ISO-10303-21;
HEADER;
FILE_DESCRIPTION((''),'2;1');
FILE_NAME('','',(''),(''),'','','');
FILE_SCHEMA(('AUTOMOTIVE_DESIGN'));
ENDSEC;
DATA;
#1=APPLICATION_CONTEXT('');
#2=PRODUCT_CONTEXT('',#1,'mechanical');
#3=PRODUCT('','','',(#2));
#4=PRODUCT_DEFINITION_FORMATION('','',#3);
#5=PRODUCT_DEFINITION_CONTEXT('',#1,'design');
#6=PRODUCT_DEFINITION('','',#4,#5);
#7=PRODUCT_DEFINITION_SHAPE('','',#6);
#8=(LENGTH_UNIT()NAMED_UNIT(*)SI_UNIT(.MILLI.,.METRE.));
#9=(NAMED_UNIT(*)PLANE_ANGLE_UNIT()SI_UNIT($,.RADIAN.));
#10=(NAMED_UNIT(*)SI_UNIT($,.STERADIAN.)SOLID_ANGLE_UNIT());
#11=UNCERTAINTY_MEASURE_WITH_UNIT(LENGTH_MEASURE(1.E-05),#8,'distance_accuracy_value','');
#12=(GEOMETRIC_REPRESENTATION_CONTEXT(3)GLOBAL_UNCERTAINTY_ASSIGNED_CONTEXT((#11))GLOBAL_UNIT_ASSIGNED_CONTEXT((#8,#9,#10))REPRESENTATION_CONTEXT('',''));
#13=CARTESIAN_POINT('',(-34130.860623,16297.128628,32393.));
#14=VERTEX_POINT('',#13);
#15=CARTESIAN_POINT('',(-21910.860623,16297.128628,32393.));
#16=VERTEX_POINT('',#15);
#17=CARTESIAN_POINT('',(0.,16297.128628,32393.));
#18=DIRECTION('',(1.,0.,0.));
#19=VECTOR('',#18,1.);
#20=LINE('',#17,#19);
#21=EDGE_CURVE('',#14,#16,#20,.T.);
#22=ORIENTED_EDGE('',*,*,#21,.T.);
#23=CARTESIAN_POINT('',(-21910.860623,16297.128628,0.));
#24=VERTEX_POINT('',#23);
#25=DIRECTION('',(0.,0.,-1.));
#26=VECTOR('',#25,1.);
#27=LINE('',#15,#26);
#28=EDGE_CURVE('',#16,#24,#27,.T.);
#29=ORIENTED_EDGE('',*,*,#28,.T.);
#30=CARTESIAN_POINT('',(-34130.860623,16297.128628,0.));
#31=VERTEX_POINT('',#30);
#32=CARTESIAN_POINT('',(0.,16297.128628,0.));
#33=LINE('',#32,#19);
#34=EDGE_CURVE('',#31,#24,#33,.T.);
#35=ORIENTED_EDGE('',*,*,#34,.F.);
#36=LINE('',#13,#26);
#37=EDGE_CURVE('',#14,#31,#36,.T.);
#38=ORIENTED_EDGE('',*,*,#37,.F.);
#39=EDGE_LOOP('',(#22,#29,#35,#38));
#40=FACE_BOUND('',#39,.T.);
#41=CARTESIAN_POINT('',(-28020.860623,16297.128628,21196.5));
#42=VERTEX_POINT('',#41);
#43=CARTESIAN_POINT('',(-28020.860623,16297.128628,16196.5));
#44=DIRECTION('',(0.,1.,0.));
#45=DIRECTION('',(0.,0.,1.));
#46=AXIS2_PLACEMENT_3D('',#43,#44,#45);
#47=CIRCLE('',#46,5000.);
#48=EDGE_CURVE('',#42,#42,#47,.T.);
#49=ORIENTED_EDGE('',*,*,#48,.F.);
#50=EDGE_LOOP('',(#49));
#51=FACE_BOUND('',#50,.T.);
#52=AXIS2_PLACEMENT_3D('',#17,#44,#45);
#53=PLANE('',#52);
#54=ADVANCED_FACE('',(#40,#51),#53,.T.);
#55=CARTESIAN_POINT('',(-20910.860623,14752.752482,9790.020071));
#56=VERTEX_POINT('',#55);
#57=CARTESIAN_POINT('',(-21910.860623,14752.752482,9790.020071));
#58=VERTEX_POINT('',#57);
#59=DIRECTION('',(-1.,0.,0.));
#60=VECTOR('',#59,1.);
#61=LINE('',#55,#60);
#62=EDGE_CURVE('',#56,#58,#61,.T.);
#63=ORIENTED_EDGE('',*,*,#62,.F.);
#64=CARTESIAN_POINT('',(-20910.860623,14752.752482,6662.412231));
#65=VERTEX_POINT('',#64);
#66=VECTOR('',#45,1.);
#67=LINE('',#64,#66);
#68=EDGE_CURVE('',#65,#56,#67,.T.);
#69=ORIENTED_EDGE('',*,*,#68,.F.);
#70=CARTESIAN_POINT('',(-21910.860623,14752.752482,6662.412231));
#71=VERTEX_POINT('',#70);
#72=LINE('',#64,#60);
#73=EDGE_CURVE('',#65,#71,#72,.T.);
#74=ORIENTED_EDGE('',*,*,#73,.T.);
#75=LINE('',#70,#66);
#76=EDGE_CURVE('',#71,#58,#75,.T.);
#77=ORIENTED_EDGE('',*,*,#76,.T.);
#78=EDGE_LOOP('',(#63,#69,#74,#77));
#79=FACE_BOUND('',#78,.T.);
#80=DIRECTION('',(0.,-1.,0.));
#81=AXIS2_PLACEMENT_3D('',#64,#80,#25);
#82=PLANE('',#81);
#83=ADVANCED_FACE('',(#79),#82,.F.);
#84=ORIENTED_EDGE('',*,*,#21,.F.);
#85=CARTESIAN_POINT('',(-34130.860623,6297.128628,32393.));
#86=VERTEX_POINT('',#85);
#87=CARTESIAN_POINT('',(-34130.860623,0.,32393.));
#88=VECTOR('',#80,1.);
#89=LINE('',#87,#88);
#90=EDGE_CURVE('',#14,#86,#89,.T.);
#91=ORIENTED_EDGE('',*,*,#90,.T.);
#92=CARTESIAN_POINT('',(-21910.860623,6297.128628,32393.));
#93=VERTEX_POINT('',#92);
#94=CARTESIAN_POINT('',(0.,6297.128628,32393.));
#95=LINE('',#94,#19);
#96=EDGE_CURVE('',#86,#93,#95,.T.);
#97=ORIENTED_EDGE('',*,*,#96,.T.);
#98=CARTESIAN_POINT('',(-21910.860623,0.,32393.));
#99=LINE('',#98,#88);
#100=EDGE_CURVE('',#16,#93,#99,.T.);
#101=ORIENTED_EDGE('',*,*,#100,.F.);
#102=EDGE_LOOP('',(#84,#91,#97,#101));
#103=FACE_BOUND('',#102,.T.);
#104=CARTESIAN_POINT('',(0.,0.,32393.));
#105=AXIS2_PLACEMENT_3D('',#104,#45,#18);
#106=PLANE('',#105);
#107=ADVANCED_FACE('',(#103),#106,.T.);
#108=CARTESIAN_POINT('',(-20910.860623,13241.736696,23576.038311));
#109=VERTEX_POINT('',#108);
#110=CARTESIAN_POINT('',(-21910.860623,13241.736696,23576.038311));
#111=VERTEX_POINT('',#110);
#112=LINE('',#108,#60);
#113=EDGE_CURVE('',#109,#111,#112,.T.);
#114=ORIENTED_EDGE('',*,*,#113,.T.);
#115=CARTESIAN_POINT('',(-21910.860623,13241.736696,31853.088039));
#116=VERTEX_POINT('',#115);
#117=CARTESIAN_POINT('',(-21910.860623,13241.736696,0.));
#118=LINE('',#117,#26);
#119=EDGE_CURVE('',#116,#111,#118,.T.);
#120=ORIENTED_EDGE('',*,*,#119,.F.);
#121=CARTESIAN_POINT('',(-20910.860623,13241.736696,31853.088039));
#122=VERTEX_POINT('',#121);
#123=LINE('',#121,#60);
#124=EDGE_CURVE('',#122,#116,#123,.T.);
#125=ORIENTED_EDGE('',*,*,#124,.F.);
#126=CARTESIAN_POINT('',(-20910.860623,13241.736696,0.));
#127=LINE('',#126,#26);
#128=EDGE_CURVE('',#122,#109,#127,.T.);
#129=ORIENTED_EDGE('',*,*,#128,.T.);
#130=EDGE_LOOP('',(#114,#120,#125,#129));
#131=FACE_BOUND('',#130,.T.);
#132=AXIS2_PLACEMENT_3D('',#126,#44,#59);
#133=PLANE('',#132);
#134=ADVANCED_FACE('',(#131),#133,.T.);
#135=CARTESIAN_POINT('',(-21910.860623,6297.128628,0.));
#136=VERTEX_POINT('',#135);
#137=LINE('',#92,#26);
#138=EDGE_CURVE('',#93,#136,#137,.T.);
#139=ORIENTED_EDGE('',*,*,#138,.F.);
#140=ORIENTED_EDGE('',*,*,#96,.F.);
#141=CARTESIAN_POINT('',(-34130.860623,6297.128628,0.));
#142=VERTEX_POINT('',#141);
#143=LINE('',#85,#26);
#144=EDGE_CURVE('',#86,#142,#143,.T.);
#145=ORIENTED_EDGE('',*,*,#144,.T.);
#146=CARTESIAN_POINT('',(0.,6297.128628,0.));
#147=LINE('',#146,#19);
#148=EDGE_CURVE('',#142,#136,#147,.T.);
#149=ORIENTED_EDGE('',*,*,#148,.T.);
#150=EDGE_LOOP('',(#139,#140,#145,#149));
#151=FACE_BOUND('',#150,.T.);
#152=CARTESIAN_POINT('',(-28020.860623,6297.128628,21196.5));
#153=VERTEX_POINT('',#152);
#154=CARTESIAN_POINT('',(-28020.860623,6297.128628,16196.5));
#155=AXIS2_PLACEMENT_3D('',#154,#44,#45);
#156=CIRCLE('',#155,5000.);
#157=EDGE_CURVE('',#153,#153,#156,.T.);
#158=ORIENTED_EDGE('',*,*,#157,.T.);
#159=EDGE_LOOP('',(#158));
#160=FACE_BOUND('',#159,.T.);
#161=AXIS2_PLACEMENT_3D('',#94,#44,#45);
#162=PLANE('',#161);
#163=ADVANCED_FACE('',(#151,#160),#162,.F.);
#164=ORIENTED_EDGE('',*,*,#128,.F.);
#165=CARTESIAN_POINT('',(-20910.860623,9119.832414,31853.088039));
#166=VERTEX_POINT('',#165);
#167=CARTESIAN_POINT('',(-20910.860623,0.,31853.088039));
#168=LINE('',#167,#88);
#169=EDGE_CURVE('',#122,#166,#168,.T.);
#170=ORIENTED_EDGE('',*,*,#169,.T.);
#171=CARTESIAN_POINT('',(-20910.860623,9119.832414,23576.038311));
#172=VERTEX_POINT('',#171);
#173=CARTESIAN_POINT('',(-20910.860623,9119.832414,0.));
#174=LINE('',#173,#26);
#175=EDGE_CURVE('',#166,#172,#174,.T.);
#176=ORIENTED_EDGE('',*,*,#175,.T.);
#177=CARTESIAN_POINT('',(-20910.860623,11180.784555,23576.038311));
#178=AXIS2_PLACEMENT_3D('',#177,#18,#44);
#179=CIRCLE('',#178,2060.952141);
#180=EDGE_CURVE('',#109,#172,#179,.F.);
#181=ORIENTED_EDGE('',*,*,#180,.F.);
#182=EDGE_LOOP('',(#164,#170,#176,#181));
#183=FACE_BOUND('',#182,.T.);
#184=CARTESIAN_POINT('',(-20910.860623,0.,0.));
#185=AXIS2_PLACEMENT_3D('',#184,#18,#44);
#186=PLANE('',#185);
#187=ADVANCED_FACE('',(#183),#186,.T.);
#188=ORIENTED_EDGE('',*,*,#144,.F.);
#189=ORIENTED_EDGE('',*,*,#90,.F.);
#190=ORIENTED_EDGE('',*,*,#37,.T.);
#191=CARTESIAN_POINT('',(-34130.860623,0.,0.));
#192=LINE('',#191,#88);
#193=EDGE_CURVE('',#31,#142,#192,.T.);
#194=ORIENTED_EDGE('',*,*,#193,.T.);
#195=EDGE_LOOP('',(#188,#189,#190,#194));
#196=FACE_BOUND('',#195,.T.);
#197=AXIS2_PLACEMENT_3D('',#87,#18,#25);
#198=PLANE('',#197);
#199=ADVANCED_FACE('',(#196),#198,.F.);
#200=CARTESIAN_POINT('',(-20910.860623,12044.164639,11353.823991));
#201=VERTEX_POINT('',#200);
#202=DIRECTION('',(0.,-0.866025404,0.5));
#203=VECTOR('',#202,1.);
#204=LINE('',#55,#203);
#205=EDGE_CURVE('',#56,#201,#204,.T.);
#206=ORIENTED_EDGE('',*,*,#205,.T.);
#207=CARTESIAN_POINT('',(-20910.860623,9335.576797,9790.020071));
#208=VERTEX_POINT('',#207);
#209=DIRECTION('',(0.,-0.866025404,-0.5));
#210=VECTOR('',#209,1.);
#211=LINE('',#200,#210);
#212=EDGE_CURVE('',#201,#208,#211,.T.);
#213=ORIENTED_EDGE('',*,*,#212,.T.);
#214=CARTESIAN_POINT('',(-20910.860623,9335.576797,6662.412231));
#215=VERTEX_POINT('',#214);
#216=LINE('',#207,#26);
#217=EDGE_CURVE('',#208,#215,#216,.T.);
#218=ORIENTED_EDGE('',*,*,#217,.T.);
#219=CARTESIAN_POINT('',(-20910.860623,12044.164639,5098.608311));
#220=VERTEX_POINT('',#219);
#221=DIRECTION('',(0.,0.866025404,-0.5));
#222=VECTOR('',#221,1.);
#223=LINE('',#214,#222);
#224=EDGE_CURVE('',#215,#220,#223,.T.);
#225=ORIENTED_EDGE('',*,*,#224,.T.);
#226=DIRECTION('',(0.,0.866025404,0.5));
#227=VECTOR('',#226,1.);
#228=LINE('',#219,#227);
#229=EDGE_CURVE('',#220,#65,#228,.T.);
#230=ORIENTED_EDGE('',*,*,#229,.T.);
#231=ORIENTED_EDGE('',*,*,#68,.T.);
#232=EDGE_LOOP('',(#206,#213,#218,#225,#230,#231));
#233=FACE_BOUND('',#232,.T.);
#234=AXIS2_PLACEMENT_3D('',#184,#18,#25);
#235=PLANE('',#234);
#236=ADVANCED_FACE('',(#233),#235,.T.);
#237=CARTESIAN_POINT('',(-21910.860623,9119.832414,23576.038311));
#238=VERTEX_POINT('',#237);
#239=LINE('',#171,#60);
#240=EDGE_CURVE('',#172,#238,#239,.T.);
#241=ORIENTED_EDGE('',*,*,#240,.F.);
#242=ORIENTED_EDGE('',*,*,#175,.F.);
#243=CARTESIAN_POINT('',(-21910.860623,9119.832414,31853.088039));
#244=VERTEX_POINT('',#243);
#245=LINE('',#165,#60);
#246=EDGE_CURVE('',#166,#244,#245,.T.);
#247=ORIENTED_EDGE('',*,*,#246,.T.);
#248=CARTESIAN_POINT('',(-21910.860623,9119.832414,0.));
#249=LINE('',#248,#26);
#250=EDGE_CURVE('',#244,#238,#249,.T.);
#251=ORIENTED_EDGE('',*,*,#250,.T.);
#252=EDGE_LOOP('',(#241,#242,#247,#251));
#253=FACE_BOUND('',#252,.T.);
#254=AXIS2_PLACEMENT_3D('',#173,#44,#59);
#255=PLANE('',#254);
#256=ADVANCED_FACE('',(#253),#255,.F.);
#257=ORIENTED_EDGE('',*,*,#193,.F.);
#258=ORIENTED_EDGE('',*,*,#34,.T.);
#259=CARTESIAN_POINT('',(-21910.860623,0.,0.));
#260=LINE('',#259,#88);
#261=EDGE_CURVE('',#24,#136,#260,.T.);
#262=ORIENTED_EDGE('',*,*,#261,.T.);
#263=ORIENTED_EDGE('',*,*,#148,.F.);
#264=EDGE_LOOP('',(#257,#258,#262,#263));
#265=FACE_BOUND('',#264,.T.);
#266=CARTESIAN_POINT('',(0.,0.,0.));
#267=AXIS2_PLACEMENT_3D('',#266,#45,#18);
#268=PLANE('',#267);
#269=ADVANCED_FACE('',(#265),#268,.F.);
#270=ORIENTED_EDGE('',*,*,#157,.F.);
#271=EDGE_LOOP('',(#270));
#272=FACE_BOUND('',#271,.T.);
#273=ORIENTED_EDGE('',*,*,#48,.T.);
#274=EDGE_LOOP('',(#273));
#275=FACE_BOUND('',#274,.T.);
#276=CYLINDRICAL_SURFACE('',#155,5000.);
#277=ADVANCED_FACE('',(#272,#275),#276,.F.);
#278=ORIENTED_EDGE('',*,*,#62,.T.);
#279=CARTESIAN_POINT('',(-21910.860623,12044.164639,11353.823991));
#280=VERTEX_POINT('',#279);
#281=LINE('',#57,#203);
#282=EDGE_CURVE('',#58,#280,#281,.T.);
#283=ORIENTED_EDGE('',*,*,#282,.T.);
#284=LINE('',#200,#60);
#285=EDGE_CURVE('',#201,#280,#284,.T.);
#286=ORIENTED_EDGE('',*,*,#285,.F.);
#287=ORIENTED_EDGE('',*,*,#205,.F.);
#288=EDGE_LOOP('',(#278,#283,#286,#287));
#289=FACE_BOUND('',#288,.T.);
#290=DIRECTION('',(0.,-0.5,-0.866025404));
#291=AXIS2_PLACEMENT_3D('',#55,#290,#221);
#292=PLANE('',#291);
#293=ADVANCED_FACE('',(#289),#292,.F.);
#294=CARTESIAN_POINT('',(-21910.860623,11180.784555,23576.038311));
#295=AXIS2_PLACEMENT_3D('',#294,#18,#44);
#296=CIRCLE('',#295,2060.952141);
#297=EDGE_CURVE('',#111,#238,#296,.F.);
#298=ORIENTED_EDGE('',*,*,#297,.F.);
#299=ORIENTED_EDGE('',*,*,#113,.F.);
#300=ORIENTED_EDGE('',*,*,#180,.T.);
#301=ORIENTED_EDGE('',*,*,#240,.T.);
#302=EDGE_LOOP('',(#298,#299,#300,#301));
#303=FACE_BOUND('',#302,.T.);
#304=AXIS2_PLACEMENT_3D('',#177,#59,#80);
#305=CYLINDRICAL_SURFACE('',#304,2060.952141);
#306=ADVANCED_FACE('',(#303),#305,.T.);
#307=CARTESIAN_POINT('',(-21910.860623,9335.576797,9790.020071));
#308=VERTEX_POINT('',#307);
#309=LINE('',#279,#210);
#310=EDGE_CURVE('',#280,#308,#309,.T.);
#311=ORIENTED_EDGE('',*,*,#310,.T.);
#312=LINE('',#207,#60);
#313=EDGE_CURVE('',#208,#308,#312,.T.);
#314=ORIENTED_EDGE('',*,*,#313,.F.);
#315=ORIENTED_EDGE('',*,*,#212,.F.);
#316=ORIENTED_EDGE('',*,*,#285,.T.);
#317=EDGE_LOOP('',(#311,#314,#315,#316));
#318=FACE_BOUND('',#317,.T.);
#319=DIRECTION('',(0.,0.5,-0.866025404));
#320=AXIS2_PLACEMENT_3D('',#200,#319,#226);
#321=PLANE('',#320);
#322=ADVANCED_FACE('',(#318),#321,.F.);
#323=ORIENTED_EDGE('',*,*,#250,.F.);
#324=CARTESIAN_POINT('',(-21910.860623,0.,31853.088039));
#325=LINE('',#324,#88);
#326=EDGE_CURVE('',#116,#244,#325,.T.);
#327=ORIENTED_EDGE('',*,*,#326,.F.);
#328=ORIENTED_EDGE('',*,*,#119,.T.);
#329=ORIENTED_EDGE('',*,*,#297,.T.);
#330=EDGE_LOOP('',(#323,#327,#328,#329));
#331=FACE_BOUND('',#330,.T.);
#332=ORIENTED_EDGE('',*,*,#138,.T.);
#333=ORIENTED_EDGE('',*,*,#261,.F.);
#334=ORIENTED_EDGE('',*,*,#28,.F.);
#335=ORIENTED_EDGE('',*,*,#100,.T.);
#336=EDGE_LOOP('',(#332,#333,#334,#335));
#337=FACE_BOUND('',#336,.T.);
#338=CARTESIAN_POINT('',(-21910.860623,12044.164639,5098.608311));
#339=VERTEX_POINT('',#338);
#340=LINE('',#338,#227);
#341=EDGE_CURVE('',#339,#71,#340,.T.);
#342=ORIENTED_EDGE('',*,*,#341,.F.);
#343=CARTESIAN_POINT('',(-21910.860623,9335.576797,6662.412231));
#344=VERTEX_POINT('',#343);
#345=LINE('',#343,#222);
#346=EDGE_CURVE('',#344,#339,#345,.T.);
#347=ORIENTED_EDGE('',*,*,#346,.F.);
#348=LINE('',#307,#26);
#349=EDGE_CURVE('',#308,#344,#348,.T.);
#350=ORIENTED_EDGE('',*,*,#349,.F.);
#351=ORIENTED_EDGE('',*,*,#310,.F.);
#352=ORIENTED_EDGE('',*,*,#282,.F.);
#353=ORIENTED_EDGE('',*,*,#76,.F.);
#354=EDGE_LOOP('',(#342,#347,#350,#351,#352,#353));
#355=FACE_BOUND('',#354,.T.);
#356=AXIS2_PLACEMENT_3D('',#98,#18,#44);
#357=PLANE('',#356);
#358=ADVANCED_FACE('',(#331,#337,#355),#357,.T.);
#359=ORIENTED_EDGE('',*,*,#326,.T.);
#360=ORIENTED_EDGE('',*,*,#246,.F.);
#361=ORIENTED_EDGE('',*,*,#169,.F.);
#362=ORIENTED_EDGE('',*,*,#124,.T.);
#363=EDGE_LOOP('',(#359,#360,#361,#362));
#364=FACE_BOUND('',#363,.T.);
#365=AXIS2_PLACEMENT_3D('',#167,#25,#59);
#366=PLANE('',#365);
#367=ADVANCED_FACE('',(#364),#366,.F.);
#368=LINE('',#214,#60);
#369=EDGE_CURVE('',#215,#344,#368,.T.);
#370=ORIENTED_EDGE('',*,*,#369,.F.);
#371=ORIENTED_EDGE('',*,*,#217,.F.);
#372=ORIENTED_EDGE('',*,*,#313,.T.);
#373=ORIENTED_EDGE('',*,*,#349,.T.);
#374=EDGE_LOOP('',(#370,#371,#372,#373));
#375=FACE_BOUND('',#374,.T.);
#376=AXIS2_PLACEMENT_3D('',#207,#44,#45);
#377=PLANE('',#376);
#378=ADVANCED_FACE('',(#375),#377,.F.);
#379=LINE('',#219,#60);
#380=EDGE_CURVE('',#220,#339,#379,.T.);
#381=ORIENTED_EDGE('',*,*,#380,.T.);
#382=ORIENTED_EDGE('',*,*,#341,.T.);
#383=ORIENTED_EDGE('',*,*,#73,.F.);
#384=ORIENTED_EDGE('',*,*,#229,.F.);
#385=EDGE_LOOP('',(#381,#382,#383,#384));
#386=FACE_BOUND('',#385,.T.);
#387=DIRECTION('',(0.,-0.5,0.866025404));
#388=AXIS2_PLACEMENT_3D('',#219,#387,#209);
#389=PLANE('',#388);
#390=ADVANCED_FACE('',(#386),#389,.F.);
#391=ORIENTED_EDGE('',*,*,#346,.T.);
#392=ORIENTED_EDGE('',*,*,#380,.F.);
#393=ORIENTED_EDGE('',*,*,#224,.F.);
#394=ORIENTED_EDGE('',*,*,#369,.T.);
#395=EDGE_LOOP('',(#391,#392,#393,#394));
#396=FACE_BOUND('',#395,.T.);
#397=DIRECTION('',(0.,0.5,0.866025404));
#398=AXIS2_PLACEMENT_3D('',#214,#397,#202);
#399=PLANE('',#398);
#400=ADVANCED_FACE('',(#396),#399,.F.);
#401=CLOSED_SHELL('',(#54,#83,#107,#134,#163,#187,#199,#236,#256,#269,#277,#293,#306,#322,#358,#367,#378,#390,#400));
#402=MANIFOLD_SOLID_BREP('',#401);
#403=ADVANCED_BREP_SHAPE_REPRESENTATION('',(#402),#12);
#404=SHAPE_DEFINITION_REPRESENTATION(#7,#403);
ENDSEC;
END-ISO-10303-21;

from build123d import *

# Parameters (mm, degrees)
SKETCH1_W           = 12220
SKETCH1_H           = 10000
BOSS_EXTRUDE2_DEPTH = 32393
SKETCH2_R           = 5000
CUT_EXTRUDE1_DEPTH  = 48107.362321948
SKETCH6_W           = 8277.049727591
SKETCH6_H           = 4121.904282014
BOSS_EXTRUDE3_DEPTH = 1000
BOSS_EXTRUDE4_DEPTH = 1000


with BuildPart() as part:
    # Sketch1 → Boss-Extrude2 (new body)
    with BuildSketch(Plane.XY):
        with Locations((-28020.860622764, 11297.128627885)):
            Rectangle(SKETCH1_W, SKETCH1_H)
    extrude(amount=BOSS_EXTRUDE2_DEPTH)

    # Sketch2 → Cut-Extrude1 (cut, through all)
    with BuildSketch(Plane(origin=(0, 16297.128627885, 0), x_dir=(1, 0, 0), z_dir=(0, 1, 0))):
        with Locations(Location((-28020.860622764, -16196.5, 0), (0, 0, 270))):
            Circle(SKETCH2_R)
    extrude(amount=-CUT_EXTRUDE1_DEPTH, mode=Mode.SUBTRACT)

    # Sketch6 → Boss-Extrude3 (add)
    with BuildSketch(Plane(origin=(-21910.860622764, 0, 0), x_dir=(0, 0, -1), z_dir=(1, 0, 0))):
        with Locations((-27714.563175142, 11180.784555409)):
            Rectangle(SKETCH6_W, SKETCH6_H)
        with BuildLine():
            ThreePointArc((-23576.038311346, 13241.736696416), (-21515.086170339, 11180.784555409), (-23576.038311346, 9119.832414402))
            Line((-23576.038311346, 9119.832414402), (-23576.038311346, 13241.736696416))
        make_face()
    extrude(amount=BOSS_EXTRUDE3_DEPTH)

    # Sketch7 → Boss-Extrude4 (add)
    with BuildSketch(Plane(origin=(-21910.860622764, 0, 0), x_dir=(0, 0, -1), z_dir=(1, 0, 0))):
        Polygon((-5098.608311025, 12044.164639286), (-6662.412231117, 14752.75248196), (-9790.020071301, 14752.75248196), (-11353.823991393, 12044.164639286), (-9790.020071301, 9335.576796611), (-6662.412231117, 9335.576796611), align=None)
    extrude(amount=BOSS_EXTRUDE4_DEPTH)


solid = part.part
